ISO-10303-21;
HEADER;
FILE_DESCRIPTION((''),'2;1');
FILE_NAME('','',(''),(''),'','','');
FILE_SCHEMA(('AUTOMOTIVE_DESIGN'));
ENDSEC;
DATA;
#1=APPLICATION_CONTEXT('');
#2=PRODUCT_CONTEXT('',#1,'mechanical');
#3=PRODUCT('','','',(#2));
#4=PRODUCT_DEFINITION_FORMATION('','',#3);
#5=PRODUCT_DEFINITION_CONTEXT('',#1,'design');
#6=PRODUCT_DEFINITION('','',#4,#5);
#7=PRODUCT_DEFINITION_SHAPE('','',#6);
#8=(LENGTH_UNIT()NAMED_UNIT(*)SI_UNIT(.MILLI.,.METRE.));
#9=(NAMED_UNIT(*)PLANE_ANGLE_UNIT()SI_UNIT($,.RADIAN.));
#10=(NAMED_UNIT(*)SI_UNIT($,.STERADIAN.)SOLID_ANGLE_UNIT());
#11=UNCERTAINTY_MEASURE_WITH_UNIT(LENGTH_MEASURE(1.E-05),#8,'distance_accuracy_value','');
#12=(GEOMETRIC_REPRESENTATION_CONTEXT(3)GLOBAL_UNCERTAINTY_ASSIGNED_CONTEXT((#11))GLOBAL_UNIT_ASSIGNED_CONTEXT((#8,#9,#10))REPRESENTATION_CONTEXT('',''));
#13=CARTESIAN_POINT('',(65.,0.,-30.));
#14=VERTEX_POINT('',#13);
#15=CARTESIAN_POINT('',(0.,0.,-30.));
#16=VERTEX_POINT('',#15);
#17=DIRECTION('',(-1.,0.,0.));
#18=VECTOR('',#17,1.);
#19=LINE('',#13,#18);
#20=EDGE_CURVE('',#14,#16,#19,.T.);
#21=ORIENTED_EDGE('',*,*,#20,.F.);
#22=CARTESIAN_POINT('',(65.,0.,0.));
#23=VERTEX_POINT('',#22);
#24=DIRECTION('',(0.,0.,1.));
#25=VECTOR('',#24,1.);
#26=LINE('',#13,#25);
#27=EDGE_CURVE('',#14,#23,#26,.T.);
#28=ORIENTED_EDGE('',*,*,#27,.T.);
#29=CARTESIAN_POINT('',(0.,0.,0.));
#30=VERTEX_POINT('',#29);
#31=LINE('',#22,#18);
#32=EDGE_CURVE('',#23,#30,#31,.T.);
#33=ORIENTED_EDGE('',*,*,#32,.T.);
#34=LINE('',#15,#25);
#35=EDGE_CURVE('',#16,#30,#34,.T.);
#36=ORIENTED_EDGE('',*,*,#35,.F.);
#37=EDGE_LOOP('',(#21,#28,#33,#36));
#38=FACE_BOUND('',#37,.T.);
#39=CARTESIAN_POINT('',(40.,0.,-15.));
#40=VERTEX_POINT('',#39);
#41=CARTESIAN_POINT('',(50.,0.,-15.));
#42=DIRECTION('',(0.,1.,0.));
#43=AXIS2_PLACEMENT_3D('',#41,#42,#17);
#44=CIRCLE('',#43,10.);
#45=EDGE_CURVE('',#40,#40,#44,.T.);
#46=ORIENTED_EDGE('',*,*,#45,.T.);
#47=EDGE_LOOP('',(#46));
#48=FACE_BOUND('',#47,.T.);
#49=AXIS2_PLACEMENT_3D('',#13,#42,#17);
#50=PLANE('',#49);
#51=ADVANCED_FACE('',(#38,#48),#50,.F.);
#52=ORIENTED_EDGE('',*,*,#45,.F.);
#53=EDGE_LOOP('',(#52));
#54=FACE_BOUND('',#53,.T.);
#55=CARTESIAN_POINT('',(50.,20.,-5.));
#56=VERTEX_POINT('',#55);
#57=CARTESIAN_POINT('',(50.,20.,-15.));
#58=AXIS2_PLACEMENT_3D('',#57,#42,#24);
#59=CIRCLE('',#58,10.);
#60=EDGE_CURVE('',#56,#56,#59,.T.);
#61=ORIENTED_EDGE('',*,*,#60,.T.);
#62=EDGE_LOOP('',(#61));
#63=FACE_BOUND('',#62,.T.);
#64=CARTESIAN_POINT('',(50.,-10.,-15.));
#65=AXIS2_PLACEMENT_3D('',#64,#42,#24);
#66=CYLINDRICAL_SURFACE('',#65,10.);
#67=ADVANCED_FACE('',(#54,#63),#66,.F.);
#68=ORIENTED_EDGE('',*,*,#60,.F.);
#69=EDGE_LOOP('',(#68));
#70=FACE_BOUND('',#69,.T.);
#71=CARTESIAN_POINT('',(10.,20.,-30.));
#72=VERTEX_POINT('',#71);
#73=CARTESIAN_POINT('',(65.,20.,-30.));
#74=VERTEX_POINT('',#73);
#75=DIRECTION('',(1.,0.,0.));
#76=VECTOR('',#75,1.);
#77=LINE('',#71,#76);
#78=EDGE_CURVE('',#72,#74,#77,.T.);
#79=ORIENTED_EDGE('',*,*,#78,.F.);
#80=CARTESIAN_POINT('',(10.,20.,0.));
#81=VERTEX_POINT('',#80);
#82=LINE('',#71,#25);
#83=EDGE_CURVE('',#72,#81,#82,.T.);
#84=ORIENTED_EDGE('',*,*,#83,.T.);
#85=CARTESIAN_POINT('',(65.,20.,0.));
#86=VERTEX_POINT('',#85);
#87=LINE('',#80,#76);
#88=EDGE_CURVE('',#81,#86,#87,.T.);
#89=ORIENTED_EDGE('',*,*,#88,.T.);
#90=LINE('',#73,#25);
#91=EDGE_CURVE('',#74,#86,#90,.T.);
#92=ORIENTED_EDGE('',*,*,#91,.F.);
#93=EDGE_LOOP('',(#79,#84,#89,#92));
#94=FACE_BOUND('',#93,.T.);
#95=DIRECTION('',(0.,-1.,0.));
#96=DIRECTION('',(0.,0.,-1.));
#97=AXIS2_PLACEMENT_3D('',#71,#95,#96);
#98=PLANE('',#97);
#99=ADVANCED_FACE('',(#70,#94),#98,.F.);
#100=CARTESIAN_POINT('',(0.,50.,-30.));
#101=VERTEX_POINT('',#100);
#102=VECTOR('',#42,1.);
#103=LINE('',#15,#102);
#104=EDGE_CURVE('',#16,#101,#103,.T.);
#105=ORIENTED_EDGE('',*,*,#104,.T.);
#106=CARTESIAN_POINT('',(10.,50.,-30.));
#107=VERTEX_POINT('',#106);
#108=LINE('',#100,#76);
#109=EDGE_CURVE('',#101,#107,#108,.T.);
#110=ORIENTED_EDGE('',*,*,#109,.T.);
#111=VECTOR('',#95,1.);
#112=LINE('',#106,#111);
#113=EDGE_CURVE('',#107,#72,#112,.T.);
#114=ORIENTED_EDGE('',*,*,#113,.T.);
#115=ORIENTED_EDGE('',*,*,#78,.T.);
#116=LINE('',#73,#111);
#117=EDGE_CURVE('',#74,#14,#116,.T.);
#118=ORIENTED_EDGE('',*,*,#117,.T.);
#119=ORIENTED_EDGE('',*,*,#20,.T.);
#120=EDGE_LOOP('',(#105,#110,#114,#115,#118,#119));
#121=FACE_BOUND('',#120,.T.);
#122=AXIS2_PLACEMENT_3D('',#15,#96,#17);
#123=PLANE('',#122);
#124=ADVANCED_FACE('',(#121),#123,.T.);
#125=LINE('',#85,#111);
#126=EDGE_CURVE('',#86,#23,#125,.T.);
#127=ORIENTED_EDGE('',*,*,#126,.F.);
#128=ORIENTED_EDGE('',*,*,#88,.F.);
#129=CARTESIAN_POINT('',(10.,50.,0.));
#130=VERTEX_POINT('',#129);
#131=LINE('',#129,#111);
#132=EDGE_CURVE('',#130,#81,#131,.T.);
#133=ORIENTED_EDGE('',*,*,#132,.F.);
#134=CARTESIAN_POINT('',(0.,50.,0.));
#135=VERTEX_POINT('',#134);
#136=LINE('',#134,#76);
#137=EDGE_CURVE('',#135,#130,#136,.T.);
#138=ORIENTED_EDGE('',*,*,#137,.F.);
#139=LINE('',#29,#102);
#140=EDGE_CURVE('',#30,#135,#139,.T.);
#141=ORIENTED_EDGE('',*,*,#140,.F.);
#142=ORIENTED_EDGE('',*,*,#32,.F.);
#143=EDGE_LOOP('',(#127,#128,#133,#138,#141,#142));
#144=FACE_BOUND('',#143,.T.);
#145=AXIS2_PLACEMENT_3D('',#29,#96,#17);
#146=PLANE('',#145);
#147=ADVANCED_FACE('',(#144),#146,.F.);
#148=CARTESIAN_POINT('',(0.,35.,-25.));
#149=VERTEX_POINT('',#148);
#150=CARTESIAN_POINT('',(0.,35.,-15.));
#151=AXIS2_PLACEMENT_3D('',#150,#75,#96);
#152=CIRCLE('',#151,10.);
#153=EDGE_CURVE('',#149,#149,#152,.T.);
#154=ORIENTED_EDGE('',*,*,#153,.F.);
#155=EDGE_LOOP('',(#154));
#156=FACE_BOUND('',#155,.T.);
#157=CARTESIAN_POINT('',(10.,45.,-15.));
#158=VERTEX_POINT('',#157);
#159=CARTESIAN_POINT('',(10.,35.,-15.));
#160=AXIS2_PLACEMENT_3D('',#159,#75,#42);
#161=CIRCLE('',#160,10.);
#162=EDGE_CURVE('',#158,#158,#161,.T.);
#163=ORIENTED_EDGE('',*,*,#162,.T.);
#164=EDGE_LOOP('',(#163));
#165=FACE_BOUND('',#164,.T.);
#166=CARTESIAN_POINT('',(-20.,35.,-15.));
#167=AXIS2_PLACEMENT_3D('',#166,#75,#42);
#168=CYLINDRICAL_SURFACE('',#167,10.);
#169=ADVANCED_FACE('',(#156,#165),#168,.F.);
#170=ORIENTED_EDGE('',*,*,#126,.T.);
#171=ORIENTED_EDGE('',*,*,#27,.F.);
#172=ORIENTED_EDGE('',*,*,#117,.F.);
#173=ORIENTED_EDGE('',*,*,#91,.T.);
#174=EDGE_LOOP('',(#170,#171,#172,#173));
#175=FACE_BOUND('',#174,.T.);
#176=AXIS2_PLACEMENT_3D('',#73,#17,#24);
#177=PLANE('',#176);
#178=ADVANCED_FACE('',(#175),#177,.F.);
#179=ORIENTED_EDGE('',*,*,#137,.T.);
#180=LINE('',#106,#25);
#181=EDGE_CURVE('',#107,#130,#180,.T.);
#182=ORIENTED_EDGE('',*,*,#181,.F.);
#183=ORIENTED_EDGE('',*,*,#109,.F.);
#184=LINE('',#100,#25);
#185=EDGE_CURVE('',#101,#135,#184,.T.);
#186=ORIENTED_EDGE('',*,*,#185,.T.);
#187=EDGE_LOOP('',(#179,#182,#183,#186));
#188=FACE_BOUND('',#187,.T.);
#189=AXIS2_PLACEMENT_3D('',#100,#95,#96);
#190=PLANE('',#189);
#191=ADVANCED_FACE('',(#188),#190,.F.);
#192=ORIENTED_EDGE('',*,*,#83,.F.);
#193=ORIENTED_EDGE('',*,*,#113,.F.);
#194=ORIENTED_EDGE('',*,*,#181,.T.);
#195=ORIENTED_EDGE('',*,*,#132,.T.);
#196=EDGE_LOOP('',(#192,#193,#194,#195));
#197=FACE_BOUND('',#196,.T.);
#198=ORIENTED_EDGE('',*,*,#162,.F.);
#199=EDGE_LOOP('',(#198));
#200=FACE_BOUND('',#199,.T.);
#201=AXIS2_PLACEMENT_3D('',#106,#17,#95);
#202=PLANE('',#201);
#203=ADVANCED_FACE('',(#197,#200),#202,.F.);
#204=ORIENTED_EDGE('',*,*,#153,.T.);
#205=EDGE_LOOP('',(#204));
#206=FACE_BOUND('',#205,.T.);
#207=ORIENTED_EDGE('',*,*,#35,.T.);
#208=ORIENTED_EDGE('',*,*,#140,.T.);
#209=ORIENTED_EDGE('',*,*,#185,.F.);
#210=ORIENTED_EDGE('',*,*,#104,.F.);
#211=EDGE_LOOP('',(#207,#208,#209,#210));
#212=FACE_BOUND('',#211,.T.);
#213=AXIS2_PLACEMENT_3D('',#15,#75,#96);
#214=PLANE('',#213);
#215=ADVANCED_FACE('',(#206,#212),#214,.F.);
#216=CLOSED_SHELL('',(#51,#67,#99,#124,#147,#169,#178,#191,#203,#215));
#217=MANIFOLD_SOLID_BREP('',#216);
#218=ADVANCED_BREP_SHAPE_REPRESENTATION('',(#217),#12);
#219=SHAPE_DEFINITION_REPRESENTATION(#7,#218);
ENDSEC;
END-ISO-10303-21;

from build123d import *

# Parameters (mm, degrees)
BOSS_EXTRUDE3_DEPTH = 30
SKETCH6_R           = 10
CUT_EXTRUDE2_DEPTH  = 30
SKETCH7_R           = 10
CUT_EXTRUDE3_DEPTH  = 30


with BuildPart() as part:
    # Sketch5 → Boss-Extrude3 (new body)
    with BuildSketch(Plane.XY):
        Polygon((0, 0), (0, 50), (10, 50), (10, 20), (65, 20), (65, 0), align=None)
    extrude(amount=-BOSS_EXTRUDE3_DEPTH)

    # Sketch6 → Cut-Extrude2 (cut)
    with BuildSketch(Plane(origin=(0, 20, 0), x_dir=(1, 0, 0), z_dir=(0, 1, 0))):
        with Locations(Location((50, 15, 0), (0, 0, 270))):
            Circle(SKETCH6_R)
    extrude(amount=-CUT_EXTRUDE2_DEPTH, mode=Mode.SUBTRACT)

    # Sketch7 → Cut-Extrude3 (cut)
    with BuildSketch(Plane(origin=(10, 0, 0), x_dir=(0, 0, -1), z_dir=(1, 0, 0))):
        with Locations(Location((15, 35, 0), (0, 0, 90))):
            Circle(SKETCH7_R)
    extrude(amount=-CUT_EXTRUDE3_DEPTH, mode=Mode.SUBTRACT)


solid = part.part
